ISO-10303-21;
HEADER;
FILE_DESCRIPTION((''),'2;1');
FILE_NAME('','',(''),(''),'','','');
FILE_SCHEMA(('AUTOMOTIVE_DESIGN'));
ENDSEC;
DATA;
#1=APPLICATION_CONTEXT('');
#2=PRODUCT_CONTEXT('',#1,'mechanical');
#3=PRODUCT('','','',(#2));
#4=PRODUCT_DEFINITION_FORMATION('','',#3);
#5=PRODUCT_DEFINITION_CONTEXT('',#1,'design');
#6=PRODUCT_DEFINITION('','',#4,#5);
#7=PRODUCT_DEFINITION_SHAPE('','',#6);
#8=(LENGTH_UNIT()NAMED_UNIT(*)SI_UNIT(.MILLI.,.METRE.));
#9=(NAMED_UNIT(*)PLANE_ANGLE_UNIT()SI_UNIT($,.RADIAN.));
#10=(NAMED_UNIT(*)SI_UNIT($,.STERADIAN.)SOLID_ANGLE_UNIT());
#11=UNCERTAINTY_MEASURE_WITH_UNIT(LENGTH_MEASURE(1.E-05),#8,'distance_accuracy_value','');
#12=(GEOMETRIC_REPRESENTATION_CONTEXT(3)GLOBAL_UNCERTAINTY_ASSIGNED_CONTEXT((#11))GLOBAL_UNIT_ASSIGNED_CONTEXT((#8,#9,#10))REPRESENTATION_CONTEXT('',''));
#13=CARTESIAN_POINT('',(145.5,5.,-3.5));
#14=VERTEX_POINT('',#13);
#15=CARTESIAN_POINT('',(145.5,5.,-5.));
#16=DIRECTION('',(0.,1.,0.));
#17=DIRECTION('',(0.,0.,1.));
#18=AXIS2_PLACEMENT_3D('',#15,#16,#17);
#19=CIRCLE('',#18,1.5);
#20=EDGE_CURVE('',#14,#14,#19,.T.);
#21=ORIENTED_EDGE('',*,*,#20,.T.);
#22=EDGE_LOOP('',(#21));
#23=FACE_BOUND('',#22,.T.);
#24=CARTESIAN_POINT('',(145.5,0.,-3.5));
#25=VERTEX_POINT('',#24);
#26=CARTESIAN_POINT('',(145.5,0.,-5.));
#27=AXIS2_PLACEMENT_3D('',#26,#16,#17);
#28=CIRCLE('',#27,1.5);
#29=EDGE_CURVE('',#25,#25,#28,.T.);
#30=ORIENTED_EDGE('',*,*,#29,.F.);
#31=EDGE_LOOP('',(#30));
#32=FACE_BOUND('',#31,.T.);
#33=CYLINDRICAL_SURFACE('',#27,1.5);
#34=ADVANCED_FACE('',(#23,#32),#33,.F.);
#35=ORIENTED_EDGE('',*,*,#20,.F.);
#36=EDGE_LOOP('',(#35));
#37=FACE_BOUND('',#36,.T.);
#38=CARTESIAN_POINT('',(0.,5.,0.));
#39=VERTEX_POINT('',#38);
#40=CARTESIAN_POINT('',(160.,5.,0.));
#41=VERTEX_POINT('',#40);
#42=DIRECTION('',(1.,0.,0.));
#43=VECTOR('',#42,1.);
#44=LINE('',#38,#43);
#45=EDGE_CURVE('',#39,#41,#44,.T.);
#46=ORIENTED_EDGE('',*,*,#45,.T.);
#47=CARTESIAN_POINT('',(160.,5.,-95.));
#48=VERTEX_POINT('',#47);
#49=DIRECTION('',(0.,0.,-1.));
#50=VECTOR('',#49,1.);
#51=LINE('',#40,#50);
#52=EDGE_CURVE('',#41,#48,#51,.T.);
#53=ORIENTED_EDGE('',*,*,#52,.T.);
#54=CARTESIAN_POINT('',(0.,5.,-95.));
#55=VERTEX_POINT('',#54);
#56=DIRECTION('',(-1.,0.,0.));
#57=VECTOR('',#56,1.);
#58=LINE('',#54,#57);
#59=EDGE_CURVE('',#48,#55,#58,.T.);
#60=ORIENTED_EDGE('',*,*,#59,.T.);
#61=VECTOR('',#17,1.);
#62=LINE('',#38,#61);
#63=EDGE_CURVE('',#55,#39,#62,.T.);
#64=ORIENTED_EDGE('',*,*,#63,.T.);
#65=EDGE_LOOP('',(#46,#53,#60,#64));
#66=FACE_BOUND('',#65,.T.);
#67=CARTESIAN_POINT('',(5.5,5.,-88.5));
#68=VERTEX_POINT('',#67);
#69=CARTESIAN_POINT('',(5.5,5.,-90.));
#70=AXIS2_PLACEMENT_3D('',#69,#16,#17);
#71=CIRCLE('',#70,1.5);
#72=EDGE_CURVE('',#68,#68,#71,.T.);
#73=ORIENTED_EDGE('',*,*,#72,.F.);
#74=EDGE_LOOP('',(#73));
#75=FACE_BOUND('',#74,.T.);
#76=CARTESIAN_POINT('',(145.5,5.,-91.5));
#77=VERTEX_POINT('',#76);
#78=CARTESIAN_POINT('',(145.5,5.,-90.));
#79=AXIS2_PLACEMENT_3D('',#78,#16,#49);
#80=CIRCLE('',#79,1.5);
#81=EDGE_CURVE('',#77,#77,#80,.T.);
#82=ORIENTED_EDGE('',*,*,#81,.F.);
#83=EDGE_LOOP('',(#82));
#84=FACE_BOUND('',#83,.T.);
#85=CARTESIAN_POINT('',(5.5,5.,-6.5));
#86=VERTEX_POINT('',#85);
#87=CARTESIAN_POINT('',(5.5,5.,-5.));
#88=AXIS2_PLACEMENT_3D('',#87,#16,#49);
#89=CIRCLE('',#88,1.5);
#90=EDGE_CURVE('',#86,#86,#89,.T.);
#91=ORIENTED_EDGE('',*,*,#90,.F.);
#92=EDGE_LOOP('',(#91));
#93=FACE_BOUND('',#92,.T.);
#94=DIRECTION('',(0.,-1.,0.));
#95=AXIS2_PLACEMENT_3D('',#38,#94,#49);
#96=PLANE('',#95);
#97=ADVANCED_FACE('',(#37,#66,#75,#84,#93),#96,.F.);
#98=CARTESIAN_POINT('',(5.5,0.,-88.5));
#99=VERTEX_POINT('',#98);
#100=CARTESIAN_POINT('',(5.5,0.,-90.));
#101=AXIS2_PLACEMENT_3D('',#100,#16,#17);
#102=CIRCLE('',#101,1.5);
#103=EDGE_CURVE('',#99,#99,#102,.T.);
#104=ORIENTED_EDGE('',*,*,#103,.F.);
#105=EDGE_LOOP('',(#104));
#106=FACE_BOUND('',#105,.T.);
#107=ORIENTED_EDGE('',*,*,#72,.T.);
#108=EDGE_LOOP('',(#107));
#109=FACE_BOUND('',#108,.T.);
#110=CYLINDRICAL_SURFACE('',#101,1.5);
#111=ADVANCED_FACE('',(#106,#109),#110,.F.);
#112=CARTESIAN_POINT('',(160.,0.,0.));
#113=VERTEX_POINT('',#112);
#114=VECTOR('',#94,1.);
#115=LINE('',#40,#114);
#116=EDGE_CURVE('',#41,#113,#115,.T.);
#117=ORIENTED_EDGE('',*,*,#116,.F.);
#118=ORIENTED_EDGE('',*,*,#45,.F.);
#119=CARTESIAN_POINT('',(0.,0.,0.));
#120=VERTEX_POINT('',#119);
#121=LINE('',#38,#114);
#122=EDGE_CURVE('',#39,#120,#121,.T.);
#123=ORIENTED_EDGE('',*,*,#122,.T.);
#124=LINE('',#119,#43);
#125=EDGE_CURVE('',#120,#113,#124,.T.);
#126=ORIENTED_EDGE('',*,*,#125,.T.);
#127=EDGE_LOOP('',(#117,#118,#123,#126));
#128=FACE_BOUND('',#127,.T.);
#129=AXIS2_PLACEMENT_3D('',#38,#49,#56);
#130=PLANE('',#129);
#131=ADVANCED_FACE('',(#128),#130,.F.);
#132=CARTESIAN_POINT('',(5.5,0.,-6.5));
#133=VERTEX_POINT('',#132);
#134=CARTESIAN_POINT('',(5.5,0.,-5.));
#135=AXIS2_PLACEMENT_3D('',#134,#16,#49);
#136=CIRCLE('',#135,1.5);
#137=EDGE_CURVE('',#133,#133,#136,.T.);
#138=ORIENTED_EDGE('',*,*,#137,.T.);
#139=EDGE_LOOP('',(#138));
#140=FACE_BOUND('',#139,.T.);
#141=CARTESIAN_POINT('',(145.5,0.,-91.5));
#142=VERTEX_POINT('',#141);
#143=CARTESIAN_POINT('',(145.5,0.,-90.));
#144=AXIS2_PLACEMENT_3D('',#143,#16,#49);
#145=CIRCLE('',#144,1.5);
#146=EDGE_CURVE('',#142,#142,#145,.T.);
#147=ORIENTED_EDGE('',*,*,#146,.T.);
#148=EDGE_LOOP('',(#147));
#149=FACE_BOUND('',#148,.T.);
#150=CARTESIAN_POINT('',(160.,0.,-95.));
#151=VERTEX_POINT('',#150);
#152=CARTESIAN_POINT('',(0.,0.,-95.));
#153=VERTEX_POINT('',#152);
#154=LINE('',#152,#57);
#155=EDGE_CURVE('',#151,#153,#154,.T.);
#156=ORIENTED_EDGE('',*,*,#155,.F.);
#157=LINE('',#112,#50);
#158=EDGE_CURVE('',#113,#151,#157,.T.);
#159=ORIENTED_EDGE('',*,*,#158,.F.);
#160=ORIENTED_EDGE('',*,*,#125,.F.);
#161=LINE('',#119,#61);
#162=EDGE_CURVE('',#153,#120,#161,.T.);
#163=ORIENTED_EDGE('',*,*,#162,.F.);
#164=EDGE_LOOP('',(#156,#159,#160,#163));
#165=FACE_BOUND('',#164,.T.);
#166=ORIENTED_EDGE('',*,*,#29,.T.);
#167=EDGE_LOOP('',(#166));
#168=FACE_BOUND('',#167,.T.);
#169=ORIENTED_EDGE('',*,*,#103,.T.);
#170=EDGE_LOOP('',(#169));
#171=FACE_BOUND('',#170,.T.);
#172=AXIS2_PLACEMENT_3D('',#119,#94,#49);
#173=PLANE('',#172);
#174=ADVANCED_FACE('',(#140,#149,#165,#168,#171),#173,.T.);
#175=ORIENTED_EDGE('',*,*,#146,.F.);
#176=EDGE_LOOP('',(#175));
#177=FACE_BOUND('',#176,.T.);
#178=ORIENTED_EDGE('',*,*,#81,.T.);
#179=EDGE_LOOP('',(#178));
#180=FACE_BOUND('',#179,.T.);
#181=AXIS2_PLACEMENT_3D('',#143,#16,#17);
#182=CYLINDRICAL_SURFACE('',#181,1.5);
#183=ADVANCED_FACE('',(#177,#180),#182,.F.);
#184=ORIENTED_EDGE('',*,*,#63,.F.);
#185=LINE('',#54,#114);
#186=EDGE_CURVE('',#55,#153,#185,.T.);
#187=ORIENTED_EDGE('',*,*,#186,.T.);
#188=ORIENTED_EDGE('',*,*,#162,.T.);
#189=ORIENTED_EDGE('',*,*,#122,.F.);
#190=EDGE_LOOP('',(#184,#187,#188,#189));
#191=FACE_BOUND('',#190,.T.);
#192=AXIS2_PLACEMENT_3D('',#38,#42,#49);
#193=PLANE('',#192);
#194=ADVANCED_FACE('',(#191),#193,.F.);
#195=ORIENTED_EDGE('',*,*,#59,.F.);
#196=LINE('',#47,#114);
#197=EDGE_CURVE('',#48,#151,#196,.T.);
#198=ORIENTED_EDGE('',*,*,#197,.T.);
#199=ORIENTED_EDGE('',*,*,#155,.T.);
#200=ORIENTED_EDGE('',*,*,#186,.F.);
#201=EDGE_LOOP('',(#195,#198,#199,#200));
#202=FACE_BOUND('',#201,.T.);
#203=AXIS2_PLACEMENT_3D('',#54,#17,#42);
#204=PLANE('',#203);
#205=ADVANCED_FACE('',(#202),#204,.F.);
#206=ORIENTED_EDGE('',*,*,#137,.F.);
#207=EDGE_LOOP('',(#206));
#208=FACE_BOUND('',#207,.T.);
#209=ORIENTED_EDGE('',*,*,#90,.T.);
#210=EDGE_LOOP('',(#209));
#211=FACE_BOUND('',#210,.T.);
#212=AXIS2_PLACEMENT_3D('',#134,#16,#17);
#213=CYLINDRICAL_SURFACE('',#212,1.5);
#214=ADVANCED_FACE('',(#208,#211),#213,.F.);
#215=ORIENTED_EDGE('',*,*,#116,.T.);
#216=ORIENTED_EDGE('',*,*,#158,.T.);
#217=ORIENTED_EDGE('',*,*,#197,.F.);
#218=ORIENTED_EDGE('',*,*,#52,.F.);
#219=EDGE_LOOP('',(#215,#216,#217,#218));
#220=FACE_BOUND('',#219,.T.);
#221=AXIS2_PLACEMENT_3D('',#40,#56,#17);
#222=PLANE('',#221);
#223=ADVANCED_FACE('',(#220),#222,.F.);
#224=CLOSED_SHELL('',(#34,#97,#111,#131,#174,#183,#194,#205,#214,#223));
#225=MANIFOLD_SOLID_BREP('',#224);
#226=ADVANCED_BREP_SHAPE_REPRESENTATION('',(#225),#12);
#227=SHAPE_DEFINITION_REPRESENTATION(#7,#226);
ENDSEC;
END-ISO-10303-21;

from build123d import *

# Parameters (mm, degrees)
SKETCH_1_W          = 160
SKETCH_1_H          = 95
EXTRUDE_1_DEPTH     = 5
SKETCH_2_R          = 1.5
CUT_EXTRUDE_1_DEPTH = 187.14510469


with BuildPart() as part:
    # 草图1 → 凸台-拉伸1 (new body)
    with BuildSketch(Plane(origin=(0, 0, 0), x_dir=(1, 0, 0), z_dir=(0, 1, 0))):
        with Locations((80, 47.5)):
            Rectangle(SKETCH_1_W, SKETCH_1_H)
    extrude(amount=EXTRUDE_1_DEPTH)

    # 草图2 → 切除-拉伸1 (cut, through all)
    with BuildSketch(Plane(origin=(0, 5, 0), x_dir=(1, 0, 0), z_dir=(0, 1, 0))):
        with Locations(Location((5.5, 90, 0), (0, 0, 270))):
            Circle(SKETCH_2_R)
        with Locations(Location((145.5, 90, 0), (0, 0, 90))):
            Circle(SKETCH_2_R)
        with Locations(Location((145.5, 5, 0), (0, 0, 270))):
            Circle(SKETCH_2_R)
        with Locations(Location((5.5, 5, 0), (0, 0, 90))):
            Circle(SKETCH_2_R)
    extrude(amount=-CUT_EXTRUDE_1_DEPTH, mode=Mode.SUBTRACT)


solid = part.part
